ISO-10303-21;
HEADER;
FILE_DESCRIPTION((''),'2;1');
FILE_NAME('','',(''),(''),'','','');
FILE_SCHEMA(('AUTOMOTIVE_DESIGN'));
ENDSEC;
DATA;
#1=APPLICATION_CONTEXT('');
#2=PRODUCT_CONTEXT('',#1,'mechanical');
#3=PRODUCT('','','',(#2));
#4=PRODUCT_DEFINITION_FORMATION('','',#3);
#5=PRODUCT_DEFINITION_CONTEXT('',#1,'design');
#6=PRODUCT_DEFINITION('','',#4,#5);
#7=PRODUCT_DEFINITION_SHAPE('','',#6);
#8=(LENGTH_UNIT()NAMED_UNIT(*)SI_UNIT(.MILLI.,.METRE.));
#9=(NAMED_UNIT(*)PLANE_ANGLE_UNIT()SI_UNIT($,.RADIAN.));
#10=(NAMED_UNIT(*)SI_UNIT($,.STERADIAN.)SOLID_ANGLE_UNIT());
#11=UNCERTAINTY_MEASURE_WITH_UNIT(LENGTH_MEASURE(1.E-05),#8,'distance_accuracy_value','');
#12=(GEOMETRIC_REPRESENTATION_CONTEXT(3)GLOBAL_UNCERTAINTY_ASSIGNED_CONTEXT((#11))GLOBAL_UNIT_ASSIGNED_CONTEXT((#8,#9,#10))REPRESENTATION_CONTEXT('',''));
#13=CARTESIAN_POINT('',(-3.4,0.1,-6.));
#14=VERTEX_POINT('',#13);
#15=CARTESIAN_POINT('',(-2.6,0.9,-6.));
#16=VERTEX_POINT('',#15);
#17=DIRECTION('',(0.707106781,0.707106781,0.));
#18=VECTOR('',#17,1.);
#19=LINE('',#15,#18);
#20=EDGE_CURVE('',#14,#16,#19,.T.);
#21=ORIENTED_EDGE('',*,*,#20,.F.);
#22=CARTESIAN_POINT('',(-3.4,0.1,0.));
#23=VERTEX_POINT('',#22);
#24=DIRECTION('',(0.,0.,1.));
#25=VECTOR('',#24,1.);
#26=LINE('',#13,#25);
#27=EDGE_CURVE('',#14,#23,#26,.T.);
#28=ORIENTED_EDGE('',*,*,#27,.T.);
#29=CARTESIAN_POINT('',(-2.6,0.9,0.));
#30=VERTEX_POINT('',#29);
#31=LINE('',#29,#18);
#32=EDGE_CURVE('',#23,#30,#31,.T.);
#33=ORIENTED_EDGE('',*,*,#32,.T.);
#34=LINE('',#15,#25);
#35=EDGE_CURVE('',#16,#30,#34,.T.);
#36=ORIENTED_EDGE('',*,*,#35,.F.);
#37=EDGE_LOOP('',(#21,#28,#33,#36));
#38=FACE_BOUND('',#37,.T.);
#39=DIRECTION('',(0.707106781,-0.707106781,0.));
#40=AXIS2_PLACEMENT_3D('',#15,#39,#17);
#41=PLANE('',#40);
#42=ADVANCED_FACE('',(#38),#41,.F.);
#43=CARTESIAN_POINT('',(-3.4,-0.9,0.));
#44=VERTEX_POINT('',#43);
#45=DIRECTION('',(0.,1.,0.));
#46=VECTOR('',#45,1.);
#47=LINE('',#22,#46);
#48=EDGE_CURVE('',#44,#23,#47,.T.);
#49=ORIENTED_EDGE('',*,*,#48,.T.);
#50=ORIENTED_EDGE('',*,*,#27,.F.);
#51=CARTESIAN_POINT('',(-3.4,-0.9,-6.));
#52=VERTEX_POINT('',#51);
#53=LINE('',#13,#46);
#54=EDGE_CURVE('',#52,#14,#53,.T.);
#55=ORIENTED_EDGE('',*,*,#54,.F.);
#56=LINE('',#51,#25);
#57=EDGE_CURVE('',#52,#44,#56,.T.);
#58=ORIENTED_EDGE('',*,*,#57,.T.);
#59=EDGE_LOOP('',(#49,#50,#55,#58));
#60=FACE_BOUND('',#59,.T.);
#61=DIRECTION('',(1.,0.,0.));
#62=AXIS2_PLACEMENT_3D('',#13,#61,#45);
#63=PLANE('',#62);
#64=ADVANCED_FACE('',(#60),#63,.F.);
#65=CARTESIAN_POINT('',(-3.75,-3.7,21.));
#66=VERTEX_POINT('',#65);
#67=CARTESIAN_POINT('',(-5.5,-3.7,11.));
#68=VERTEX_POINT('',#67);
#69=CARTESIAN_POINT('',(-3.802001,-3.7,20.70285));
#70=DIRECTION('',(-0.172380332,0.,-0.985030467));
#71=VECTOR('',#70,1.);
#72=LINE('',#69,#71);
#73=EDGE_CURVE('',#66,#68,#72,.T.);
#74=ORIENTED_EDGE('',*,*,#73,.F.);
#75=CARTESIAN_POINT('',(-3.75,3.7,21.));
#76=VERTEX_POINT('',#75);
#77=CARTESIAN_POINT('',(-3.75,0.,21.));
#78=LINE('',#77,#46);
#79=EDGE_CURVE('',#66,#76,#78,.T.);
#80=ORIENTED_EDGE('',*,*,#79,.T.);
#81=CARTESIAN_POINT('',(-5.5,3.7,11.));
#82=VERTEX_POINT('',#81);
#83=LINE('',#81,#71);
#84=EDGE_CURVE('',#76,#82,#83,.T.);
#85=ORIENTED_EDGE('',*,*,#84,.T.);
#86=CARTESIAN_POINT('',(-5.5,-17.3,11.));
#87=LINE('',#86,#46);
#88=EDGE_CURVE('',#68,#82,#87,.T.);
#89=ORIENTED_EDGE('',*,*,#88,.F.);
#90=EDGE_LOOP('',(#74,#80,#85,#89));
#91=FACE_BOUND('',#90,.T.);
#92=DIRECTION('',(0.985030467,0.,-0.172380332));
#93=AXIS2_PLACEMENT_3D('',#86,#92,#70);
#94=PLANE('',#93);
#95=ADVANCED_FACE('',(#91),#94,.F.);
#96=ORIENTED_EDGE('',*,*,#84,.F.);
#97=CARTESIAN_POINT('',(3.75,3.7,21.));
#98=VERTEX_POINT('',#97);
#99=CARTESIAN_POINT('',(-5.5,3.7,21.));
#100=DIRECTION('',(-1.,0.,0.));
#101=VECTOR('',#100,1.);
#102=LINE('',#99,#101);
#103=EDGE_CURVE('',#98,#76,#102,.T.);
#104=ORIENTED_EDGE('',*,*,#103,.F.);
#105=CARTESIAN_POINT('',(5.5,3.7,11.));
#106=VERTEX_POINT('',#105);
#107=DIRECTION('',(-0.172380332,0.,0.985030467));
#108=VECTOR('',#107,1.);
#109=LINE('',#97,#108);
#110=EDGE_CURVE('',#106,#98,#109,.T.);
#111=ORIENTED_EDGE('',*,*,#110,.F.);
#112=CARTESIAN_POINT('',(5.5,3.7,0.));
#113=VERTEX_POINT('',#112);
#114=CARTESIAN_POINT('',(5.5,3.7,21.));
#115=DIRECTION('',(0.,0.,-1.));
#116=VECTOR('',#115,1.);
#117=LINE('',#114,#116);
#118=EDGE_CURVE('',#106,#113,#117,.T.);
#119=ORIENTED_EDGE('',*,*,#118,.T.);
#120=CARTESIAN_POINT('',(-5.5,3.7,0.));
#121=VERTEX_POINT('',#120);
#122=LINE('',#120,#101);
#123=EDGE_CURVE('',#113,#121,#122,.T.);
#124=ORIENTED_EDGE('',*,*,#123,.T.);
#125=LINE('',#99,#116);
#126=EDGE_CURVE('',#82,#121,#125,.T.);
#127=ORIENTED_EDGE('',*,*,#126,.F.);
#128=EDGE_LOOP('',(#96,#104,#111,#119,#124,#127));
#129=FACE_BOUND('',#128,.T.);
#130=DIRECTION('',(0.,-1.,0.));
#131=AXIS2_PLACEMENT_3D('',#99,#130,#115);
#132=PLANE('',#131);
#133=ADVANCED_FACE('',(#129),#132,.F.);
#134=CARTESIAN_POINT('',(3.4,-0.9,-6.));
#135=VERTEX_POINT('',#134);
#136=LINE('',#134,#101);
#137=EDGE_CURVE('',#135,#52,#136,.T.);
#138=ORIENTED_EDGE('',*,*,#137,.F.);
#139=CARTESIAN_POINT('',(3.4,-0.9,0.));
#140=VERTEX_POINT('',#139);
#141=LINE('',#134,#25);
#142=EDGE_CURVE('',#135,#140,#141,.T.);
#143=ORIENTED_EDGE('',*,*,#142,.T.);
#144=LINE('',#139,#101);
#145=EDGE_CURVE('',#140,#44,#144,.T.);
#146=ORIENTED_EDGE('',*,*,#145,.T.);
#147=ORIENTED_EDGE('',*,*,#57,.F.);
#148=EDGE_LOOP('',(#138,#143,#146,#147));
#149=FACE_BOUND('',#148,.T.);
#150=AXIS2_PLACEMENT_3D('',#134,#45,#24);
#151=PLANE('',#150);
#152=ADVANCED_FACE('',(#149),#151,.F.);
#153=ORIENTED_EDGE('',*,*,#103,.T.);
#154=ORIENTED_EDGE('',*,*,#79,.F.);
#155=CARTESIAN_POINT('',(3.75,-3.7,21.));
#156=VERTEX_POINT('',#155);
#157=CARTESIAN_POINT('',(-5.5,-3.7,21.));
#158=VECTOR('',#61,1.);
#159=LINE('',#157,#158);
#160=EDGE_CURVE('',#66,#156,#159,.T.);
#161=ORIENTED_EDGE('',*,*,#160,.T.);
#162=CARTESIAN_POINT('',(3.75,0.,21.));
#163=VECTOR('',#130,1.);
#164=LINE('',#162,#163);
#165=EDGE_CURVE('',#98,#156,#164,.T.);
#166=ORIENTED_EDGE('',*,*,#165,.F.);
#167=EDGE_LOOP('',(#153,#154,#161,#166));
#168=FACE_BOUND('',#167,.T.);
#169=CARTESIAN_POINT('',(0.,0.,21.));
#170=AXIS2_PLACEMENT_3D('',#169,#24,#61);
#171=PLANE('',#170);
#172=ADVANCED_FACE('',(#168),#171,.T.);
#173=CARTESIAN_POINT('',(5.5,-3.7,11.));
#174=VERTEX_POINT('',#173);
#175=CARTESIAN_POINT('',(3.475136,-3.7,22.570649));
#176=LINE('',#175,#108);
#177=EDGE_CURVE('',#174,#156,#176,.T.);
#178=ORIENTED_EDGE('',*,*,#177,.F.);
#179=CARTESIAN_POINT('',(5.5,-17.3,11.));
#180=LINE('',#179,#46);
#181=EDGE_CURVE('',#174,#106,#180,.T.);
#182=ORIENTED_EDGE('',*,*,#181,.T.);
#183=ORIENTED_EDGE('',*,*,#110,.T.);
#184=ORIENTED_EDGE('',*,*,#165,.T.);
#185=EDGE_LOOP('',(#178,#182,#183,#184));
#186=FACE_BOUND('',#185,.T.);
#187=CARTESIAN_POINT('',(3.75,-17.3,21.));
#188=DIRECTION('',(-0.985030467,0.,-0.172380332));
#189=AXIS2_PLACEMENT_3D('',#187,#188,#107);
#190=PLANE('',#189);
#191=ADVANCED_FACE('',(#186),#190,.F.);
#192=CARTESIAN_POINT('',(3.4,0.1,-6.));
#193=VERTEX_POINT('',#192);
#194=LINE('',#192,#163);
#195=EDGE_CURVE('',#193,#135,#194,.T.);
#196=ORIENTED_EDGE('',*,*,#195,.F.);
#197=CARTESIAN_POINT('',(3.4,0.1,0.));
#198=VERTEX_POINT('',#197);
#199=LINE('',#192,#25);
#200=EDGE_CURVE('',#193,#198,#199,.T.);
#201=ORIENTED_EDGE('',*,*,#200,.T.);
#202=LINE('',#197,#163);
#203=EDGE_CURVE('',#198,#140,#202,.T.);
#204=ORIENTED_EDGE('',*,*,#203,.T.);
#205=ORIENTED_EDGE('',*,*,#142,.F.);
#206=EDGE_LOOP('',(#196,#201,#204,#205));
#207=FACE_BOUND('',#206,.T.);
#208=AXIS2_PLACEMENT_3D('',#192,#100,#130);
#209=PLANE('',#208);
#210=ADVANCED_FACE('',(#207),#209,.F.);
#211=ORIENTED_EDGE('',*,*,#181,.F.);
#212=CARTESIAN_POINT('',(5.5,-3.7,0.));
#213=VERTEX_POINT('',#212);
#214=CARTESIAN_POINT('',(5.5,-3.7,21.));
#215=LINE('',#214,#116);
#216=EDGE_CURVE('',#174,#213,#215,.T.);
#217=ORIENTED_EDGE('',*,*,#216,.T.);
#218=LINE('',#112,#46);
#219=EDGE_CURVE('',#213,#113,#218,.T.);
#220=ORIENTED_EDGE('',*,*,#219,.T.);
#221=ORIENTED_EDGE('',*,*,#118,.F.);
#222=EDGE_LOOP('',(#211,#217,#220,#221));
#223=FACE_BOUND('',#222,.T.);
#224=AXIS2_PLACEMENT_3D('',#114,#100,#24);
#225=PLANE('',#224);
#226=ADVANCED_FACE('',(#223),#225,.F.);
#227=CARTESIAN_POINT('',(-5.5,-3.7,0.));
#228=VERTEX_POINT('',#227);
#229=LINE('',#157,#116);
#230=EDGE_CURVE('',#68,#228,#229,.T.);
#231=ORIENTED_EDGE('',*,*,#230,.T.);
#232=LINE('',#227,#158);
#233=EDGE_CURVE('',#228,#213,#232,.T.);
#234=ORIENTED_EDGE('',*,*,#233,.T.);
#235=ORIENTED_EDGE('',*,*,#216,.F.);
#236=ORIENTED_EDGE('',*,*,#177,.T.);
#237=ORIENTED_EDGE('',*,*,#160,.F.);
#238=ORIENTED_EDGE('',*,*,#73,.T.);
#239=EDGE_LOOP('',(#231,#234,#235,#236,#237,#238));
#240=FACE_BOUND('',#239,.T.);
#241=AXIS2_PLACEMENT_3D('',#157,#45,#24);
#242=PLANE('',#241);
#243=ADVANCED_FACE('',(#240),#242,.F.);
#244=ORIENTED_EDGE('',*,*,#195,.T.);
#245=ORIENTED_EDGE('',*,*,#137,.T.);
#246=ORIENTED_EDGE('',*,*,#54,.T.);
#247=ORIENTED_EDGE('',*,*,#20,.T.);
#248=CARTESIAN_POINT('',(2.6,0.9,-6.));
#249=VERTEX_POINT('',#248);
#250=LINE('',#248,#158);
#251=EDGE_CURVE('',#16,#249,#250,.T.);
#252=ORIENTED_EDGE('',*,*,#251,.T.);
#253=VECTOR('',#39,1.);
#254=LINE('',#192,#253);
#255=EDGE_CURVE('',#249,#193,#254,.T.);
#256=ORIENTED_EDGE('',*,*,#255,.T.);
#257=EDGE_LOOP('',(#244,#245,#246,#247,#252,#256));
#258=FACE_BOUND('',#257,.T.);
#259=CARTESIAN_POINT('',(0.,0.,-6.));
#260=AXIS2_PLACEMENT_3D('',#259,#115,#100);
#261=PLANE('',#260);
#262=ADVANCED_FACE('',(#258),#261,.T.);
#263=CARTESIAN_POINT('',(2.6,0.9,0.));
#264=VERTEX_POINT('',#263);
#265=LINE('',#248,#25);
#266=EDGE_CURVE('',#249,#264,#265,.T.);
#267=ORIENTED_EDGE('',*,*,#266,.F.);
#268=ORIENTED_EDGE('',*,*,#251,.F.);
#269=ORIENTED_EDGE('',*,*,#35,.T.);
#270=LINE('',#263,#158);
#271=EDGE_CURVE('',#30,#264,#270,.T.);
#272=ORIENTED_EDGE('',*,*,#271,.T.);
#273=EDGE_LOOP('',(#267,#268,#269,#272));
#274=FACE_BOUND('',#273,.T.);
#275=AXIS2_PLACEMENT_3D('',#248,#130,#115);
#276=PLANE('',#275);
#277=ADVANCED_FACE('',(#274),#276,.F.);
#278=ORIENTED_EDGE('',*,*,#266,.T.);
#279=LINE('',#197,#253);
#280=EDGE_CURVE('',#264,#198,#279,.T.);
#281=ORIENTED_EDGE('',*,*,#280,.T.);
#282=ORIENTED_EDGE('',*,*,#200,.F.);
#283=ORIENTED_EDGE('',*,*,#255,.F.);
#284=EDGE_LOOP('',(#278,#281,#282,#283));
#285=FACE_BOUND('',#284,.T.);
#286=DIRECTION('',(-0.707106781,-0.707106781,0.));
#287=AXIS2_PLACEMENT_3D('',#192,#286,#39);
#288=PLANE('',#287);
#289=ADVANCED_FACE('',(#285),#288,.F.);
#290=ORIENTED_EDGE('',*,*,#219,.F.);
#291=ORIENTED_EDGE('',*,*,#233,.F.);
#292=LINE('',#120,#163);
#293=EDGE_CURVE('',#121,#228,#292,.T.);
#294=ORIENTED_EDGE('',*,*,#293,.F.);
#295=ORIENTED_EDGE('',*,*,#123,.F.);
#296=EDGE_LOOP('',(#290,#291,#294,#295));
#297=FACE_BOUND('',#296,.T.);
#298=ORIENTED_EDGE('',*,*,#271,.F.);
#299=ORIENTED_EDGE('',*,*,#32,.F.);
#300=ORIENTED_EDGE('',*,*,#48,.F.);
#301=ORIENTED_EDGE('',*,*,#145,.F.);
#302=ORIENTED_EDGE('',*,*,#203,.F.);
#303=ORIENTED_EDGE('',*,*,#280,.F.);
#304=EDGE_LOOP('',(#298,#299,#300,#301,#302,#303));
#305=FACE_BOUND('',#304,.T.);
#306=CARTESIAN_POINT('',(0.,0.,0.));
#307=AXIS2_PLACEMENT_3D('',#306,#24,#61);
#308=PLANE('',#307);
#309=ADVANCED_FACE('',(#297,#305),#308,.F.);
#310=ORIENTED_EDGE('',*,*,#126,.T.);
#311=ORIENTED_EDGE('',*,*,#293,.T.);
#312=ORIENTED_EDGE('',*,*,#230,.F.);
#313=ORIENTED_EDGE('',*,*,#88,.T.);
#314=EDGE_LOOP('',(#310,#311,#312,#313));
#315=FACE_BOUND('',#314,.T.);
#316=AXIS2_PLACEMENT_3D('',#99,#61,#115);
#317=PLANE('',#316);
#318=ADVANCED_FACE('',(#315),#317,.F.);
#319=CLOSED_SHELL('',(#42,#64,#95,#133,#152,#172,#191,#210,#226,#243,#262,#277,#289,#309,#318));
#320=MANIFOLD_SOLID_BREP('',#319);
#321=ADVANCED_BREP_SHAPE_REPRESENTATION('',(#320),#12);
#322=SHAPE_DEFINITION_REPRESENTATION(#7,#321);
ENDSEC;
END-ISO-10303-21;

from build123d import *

# Parameters (mm, degrees)
SKICA1_W                 = 11
SKICA1_H                 = 7.4
P_IDAT_VYSUNUT_M1_DEPTH  = 21
ODEBRAT_VYSUNUT_M1_DEPTH = 21
P_IDAT_VYSUNUT_M2_DEPTH  = 6


with BuildPart() as part:
    # Skica1 → Přidat vysunutím1 (new body)
    with BuildSketch(Plane.XY):
        Rectangle(SKICA1_W, SKICA1_H)
    extrude(amount=P_IDAT_VYSUNUT_M1_DEPTH)

    # Skica2 → Odebrat vysunutím1 (cut)
    with BuildSketch(Plane(origin=(0, 3.7, 0), x_dir=(1, 0, 0), z_dir=(0, 1, 0))):
        Polygon((-5.5, -11), (-3.75, -21), (3.75, -21), (5.5, -11), (8.02176331, -11), (9.220966656, -26.189909052), (-8.647163202, -26.189909052), align=None)
    extrude(amount=-ODEBRAT_VYSUNUT_M1_DEPTH, mode=Mode.SUBTRACT)

    # Skica3 → Přidat vysunutím2 (add)
    with BuildSketch(Plane(origin=(0, 0, 0), x_dir=(-1, 0, 0), z_dir=(0, 0, -1))):
        Polygon((-3.4, 0.1), (-2.6, 0.9), (2.6, 0.9), (3.4, 0.1), (3.4, -0.9), (-3.4, -0.9), align=None)
    extrude(amount=P_IDAT_VYSUNUT_M2_DEPTH)


solid = part.part
